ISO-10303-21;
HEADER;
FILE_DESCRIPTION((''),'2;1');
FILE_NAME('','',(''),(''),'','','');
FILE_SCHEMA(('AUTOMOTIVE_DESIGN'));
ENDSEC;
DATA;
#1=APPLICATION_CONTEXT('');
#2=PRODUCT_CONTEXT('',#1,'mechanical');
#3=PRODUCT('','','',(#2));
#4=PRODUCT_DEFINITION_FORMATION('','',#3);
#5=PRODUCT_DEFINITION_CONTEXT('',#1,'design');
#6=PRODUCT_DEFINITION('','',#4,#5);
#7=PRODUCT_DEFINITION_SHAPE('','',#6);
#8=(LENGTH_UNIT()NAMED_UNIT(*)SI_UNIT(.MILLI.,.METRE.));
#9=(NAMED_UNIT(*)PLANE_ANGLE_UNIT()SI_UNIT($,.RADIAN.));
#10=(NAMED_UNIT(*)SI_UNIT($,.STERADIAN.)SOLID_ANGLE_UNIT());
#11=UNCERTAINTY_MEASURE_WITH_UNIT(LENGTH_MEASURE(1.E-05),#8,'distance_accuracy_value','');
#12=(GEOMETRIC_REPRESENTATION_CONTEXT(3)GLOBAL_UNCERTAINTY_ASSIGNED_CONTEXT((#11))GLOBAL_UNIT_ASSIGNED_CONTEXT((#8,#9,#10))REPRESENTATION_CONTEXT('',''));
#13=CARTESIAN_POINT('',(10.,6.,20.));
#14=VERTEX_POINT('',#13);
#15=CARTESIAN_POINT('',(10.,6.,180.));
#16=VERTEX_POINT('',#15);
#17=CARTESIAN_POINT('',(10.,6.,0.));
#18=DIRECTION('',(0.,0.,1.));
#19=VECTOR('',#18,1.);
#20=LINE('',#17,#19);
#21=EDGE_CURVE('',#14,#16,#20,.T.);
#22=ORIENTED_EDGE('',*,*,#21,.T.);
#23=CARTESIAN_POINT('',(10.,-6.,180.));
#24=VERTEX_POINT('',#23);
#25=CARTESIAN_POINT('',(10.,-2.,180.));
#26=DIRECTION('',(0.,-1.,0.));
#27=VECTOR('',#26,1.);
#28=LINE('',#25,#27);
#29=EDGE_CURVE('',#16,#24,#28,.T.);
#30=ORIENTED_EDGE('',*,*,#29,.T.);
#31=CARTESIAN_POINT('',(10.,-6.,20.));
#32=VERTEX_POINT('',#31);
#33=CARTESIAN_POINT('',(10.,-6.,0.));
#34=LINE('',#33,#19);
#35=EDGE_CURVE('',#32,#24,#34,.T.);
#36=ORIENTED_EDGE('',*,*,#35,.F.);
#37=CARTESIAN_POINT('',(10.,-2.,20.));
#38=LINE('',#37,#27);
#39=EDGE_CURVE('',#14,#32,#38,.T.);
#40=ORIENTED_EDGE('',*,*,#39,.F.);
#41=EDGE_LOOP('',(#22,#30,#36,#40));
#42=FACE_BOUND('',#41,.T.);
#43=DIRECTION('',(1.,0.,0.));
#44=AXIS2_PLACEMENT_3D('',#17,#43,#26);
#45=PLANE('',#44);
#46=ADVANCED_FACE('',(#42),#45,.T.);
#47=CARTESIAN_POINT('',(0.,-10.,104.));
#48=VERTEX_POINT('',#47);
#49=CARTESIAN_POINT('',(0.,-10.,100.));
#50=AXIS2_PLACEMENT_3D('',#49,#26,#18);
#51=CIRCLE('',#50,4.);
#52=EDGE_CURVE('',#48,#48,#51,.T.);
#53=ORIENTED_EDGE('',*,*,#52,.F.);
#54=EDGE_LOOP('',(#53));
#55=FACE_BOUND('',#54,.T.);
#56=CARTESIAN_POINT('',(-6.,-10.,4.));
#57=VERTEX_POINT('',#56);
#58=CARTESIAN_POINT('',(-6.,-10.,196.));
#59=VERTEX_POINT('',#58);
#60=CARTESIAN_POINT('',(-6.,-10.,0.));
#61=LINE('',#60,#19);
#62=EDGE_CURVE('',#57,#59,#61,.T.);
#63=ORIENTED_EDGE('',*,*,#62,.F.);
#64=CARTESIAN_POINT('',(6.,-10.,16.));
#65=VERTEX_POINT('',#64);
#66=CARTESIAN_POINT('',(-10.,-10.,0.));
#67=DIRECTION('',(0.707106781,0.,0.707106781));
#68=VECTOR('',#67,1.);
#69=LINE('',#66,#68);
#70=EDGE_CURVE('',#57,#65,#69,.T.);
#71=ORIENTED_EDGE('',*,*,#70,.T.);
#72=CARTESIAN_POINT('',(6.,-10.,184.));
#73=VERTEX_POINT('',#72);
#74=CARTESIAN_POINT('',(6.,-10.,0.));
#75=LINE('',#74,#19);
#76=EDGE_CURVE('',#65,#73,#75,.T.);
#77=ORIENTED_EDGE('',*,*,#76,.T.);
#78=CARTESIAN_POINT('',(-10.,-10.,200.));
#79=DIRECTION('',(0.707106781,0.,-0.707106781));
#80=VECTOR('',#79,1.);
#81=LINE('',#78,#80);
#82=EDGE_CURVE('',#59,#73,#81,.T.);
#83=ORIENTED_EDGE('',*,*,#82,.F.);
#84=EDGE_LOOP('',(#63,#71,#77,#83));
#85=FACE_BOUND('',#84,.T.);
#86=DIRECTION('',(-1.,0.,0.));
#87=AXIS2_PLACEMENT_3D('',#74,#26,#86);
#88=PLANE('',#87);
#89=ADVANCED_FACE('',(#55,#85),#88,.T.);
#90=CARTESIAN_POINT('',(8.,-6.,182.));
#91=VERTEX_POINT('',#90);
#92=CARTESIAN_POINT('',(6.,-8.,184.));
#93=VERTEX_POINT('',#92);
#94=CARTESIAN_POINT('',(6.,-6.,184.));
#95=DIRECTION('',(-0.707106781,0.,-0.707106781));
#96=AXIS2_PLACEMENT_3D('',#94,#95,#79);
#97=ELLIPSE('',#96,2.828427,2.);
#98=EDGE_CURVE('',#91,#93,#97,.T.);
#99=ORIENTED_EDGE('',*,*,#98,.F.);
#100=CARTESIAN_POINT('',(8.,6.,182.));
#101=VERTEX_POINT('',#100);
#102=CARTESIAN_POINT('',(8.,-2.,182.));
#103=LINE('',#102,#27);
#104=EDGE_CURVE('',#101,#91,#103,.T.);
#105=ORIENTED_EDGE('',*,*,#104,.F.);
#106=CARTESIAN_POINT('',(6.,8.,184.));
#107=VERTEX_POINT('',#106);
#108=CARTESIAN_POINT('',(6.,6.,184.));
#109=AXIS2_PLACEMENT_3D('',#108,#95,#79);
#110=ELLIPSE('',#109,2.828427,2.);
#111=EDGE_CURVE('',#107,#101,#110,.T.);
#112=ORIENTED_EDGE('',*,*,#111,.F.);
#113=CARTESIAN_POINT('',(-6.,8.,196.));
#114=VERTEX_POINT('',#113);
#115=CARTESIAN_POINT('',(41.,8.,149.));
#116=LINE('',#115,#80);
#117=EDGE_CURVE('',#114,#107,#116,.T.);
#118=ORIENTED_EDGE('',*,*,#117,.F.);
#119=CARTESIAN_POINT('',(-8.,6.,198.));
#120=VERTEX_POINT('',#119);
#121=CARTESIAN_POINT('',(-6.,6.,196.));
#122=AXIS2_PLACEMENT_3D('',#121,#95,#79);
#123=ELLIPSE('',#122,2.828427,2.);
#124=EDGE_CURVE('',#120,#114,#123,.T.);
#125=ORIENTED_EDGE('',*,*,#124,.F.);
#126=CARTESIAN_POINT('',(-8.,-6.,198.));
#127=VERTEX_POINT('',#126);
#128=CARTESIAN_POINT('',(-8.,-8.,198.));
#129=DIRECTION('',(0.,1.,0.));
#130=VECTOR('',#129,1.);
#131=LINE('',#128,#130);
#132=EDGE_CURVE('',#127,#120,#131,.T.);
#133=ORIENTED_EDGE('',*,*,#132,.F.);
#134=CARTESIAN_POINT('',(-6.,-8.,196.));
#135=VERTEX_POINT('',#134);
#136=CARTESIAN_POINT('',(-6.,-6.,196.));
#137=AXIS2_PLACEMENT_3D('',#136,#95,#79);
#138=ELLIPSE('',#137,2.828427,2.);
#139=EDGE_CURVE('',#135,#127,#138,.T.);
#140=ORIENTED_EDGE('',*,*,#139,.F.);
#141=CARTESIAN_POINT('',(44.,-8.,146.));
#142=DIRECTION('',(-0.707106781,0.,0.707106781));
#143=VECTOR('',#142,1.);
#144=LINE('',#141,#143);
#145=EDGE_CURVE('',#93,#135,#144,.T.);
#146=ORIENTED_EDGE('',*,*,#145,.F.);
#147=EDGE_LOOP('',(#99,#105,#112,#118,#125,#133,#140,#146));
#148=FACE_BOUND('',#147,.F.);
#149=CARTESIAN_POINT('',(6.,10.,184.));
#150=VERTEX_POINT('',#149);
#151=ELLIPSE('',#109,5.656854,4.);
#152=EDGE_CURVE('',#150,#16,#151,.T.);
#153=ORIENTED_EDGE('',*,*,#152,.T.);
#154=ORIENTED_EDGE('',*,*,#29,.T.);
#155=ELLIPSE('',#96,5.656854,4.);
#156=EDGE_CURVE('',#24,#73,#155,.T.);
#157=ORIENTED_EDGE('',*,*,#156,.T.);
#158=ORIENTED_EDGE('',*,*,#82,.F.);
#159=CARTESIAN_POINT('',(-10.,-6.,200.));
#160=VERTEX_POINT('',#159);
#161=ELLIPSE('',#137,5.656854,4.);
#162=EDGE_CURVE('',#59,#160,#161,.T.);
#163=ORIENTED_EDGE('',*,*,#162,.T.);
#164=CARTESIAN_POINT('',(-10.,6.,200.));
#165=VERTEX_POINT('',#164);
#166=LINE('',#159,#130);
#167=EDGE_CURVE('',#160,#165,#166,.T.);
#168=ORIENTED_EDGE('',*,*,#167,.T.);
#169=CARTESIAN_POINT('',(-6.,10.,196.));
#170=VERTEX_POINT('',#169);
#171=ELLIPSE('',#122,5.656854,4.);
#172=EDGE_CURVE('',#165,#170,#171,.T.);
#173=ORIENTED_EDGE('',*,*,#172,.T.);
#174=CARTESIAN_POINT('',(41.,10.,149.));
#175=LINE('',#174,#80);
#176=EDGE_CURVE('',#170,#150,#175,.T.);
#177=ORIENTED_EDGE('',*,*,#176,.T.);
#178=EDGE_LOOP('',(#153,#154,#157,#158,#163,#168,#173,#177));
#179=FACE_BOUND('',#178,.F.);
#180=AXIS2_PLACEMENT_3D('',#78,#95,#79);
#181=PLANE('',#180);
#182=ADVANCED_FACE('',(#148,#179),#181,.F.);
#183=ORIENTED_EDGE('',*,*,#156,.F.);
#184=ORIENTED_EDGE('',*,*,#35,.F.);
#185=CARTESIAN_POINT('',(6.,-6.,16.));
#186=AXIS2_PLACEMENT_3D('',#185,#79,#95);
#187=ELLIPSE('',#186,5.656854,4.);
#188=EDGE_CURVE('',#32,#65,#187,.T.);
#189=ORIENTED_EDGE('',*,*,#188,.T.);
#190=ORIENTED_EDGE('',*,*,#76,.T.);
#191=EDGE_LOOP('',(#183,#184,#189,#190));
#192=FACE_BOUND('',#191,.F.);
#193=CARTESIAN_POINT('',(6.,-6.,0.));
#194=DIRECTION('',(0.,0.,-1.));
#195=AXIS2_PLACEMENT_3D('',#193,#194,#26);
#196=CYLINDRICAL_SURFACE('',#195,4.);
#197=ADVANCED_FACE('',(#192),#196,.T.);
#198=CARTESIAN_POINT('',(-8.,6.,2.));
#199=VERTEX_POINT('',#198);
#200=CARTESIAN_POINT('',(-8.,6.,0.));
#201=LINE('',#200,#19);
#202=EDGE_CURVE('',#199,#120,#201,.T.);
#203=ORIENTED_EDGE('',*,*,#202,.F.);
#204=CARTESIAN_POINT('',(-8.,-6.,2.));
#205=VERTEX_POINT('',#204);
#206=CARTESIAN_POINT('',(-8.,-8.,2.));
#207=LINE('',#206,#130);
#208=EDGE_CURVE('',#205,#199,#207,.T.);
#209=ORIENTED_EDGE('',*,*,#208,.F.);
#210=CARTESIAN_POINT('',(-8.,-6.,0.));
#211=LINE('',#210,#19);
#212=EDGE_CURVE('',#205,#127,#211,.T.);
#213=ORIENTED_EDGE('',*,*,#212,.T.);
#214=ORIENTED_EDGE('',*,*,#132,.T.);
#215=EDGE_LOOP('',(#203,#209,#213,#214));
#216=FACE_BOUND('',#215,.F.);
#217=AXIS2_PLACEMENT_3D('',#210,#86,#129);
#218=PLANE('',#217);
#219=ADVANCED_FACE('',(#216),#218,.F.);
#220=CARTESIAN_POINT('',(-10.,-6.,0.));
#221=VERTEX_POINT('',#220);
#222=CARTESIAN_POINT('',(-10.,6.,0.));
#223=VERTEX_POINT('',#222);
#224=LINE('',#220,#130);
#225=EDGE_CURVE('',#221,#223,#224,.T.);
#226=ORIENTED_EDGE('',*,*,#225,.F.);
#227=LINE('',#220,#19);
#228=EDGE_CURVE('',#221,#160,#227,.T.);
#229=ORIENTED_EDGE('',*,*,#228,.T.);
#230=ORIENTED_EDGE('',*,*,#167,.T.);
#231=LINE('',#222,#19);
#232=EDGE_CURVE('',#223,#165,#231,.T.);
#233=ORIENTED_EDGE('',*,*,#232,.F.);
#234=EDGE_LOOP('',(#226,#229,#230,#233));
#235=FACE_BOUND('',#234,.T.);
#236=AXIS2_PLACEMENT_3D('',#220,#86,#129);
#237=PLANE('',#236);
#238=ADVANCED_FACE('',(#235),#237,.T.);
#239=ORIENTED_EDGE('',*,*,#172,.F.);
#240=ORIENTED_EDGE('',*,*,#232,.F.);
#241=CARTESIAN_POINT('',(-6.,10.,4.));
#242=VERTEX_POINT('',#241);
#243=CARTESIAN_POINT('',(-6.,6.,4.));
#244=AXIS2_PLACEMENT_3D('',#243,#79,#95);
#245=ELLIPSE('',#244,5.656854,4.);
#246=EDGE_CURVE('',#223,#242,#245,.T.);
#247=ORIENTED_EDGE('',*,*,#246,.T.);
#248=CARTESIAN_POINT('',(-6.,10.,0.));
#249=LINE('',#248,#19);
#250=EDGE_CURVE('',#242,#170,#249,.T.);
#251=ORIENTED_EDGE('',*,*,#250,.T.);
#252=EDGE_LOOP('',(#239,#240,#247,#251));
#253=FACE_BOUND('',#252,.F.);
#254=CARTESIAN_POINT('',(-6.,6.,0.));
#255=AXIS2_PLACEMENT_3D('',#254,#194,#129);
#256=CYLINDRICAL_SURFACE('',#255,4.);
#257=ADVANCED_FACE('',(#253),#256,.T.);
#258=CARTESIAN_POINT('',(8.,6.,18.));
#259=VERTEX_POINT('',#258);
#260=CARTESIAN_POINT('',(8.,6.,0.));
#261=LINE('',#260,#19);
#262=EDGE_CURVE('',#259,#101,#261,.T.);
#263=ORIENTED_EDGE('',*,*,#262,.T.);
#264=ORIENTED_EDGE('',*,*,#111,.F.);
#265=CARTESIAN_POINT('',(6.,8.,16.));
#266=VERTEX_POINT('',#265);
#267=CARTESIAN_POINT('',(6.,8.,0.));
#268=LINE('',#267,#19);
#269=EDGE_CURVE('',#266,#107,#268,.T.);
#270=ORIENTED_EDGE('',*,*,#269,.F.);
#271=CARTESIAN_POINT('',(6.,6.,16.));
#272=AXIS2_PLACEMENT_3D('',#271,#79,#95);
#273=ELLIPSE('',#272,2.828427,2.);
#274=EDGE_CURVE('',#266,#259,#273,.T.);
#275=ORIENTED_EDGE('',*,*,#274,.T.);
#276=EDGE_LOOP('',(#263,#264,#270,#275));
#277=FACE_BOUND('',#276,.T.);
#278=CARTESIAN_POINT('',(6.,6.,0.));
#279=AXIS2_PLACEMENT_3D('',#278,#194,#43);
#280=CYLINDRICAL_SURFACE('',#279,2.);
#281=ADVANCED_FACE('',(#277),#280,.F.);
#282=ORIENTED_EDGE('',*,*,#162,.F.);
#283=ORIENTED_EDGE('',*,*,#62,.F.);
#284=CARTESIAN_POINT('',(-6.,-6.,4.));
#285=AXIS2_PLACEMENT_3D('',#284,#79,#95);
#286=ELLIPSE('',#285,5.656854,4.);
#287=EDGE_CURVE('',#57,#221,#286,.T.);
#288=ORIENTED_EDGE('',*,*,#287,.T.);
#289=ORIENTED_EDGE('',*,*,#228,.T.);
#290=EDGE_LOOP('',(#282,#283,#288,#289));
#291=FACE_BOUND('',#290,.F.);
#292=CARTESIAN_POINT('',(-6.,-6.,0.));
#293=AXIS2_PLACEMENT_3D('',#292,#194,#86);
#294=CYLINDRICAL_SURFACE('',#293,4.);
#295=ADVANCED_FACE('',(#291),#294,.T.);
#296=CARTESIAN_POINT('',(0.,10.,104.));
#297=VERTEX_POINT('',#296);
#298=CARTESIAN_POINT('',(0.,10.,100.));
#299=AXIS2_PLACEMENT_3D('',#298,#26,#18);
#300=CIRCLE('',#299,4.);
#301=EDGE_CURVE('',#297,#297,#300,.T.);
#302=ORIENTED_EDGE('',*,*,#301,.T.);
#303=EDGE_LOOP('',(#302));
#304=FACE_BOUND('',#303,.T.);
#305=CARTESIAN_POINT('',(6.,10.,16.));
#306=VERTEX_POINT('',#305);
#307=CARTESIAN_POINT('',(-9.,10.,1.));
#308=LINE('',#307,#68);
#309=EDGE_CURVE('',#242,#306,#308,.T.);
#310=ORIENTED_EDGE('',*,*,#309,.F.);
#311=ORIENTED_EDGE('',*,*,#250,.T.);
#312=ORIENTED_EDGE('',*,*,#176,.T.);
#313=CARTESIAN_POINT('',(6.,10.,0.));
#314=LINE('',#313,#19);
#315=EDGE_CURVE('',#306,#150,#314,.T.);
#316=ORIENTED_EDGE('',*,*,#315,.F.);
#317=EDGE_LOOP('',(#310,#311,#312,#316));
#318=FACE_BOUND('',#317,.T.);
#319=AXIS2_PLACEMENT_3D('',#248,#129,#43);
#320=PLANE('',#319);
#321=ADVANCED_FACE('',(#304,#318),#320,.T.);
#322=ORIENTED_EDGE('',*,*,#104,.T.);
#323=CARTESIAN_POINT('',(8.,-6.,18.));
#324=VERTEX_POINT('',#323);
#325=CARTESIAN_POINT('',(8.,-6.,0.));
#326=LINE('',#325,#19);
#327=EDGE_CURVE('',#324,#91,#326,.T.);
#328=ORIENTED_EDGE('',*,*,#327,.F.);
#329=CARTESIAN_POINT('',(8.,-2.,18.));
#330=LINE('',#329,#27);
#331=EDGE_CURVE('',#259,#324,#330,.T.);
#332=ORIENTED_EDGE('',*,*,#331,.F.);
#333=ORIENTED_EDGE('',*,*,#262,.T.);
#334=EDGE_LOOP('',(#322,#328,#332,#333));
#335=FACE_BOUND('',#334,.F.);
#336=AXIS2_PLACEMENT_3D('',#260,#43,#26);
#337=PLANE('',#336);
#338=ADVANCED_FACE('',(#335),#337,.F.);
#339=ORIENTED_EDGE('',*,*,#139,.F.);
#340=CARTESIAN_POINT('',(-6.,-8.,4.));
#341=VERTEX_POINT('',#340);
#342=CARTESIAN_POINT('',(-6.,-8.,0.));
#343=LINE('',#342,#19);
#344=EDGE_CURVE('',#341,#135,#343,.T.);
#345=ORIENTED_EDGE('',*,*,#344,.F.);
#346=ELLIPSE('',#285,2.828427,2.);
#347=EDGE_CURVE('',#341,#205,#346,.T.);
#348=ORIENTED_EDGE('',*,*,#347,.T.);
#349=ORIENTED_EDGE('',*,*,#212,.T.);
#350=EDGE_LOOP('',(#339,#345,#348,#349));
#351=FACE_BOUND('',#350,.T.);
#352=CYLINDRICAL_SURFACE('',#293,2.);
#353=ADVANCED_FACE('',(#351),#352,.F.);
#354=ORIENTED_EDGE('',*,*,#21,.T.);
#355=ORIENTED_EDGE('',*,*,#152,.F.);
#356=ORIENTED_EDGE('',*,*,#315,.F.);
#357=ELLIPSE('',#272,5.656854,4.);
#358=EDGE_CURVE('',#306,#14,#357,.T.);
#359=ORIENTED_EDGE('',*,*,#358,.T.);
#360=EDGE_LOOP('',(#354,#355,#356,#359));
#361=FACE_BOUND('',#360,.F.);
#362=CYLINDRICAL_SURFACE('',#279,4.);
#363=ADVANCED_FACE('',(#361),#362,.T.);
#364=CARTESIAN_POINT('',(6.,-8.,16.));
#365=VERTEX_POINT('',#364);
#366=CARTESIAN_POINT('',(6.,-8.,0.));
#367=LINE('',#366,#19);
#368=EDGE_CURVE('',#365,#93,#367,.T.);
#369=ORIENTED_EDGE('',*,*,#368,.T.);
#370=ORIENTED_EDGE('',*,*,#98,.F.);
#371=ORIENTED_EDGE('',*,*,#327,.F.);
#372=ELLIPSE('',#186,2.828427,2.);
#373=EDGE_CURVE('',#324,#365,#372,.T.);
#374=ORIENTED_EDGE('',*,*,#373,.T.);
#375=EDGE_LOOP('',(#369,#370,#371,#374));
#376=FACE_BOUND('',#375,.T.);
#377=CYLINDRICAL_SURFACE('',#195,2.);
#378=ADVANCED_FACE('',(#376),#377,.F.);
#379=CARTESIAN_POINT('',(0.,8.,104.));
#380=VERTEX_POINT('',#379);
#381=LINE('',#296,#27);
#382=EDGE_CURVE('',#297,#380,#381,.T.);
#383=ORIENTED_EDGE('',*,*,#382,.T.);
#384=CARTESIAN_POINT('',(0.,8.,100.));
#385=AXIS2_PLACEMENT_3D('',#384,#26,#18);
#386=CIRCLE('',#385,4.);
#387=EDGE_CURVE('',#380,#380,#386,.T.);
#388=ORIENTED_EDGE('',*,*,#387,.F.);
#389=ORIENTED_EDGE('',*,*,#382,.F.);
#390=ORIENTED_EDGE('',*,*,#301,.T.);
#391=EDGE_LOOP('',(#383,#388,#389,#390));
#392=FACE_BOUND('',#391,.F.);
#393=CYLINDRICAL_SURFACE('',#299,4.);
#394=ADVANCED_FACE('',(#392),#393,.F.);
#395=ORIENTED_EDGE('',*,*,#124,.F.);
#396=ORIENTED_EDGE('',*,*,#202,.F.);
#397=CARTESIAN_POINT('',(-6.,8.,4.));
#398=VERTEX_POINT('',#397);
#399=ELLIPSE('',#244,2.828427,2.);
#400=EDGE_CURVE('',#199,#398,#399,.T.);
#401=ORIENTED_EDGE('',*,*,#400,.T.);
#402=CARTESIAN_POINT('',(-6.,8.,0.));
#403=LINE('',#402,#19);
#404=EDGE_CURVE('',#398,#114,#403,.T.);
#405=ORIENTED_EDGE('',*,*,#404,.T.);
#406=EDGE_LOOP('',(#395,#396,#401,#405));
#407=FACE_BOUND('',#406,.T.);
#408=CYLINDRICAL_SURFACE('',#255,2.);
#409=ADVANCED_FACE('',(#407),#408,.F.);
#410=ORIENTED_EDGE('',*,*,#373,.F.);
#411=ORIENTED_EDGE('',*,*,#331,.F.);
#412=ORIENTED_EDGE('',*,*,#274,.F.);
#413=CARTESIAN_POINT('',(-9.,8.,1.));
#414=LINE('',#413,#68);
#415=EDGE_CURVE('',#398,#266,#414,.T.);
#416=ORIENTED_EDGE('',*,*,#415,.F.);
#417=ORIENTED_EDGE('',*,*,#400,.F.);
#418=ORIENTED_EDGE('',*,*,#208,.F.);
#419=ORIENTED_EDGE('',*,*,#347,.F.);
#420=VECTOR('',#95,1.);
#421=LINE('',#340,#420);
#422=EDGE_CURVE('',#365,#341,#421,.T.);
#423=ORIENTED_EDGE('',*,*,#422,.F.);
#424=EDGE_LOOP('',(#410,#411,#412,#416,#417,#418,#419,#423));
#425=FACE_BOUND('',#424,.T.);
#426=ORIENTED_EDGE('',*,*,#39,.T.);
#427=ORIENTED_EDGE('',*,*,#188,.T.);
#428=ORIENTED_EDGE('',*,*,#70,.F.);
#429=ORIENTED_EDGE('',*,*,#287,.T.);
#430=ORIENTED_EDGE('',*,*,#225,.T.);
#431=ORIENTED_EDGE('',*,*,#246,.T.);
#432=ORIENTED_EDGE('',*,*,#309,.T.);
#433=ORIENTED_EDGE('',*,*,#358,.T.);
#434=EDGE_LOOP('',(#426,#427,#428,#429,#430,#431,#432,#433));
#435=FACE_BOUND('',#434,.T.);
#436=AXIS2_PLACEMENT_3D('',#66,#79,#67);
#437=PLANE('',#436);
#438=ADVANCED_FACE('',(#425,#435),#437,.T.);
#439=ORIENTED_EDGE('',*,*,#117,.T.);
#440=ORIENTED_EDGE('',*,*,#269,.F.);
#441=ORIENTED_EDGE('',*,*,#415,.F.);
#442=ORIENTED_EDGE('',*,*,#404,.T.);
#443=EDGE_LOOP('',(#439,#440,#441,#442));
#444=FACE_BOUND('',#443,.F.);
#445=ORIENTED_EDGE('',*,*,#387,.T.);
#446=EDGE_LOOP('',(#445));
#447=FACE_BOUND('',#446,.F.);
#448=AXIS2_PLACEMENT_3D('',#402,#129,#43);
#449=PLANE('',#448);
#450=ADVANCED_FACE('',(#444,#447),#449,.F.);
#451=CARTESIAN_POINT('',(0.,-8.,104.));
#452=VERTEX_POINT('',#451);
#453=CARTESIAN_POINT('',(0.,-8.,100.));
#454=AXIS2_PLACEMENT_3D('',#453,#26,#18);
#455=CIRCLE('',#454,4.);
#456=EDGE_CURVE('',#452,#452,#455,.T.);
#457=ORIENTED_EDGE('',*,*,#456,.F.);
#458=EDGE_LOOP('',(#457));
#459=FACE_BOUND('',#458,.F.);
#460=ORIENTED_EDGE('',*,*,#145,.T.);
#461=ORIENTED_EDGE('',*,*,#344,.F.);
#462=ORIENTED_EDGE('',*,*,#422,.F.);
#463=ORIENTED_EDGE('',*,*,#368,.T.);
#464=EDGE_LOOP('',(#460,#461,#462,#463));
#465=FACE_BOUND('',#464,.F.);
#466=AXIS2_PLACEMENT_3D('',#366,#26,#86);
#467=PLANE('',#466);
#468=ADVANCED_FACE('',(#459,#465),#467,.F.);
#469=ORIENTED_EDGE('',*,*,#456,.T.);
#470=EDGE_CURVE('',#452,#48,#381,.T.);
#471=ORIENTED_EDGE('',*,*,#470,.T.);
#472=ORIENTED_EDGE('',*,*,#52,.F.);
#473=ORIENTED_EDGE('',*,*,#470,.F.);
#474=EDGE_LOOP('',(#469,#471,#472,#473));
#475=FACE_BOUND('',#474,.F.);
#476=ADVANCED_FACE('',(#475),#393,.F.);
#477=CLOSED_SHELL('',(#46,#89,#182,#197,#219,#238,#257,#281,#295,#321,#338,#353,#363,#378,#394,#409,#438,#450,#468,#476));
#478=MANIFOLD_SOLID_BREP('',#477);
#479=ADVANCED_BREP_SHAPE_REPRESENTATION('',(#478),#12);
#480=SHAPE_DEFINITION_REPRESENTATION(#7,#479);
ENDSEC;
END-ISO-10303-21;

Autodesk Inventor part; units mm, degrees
ref_plane "YZ Plane" through (0, 0, 0) normal (1, 0, 0) x (0, 1, 0)
ref_plane "Piano iniziale" through (0, 0, 0) normal (0, 0, 1) x (1, 0, 0)
ref_plane "Piano finale" through (0, 0, 200) normal (0, 0, 1) x (1, 0, 0)
sketch "Schizzo" plane through (0, 0, 0) normal (0, 0, 1) x (1, 0, 0)
  line L0 (-10, -6) -> (-10, 6)
  line L1 (-6, 10) -> (6, 10)
  line L2 (10, 6) -> (10, -6)
  line L3 (6, -10) -> (-6, -10)
  arc A0 (-10, -6) -> (-6, -10) centre (-6, -6) ccw
  arc A1 (10, 6) -> (6, 10) centre (6, 6) ccw
  arc A2 (-6, 10) -> (-10, 6) centre (-6, 6) ccw
  arc A3 (6, -10) -> (10, -6) centre (6, -6) ccw
  arc A4 (-6, 8) -> (-8, 6) centre (-6, 6) ccw
  line L4 (-6, 8) -> (6, 8)
  arc A5 (8, 6) -> (6, 8) centre (6, 6) ccw
  line L5 (8, 6) -> (8, -6)
  arc A6 (6, -8) -> (8, -6) centre (6, -6) ccw
  line L6 (6, -8) -> (-6, -8)
  arc A7 (-8, -6) -> (-6, -8) centre (-6, -6) ccw
  line L7 (-8, -6) -> (-8, 6)
  line L8 (0, 15.1598) -> (0, -15.1598) construction
  line L9 (-15.1598, 0) -> (15.1598, 0) construction
  dimension "d7" = 4
  dimension "d9" = 20
  dimension "d11" = 20
  dimension "d12" = 2
  dimension "d15" = 10
  dimension "d16" = 10
extrude "Corpo" add sketch "Schizzo" along normal up to surface (200 mm away) from surface at 0
sketch "Sketch3" plane through (0, 0, 0) normal (0, 0, 1) x (1, 0, 0)
  line L0 (0, 0) -> (10, 0)
ref_plane "Work Plane3" through (0, 0, 0) normal (0, -1, 0) x (1, 0, 0)
sketch "Sketch4" plane through (0, 0, 0) normal (0, -1, 0) x (1, 0, 0)
  line L0 (-2, 0) -> (12, 0)
  line L1 (-2, 200) -> (12, 200)
  dimension "d18" = 200
sketch "Schizzo5" plane through (-6, -10, 0) normal (0, -1, 0) x (1, 0, 0)
  line L0 (-4, 0) -> (0, 0) projected
  line L1 (-4, 0) -> (27.2685, 31.2685)
  line L2 (-4, 0) -> (40.2203, 0) construction
  line L3 (27.2685, 31.2685) -> (27.2685, 0)
  line L4 (27.2685, 0) -> (-4, 0)
  line L5 (-4, 200) -> (31.4981, 164.5019)
  line L6 (-4, 200) -> (46.2019, 200) construction
  line L7 (31.4981, 164.5019) -> (31.4981, 200)
  line L8 (31.4981, 200) -> (-4, 200)
  point P0 (6, 0)
  dimension "d19" = 45
  dimension "d20" = 45
extrude "Estrusione2" cut sketch "Schizzo5" against normal up to next
sketch "Schizzo6" plane through (-6, 10, 196) normal (0, 1, 0) x (1, 0, 0)
  line L0 (12, 180) -> (0, 192) projected
  line L1 (16, 176) -> (16, 16) projected
  point P0 (6, 196)
  point P1 (6, 96)
  point P2 (6, 186)
  point P3 (16, 96)
hole "Foro1" at (0, 10, 100) direction (0, -1, 0) diameter 8 end through all
equation "\"d7\" = G_IR"
equation "\"d9\" = G_W"
equation "\"d11\" = G_H"
equation "\"d12\" = G_T"
equation "\"d15\" = 0.5 * d9"
equation "\"d16\" = 0.5 * d11"
equation "\"d3\" = G_L"
equation "\"G_W\" = 20"
equation "\"G_H\" = 20"
equation "\"G_T\" = 2"
equation "\"G_IR\" = 4"
equation "\"G_L\" = d18"
equation "\"G_OFFSET_START\" = 0"
equation "\"G_OFFSET_END\" = 0"
properties part number "ISO 10799-2 - 20x20x2 - 200" material "Acciaio, Dolce"
